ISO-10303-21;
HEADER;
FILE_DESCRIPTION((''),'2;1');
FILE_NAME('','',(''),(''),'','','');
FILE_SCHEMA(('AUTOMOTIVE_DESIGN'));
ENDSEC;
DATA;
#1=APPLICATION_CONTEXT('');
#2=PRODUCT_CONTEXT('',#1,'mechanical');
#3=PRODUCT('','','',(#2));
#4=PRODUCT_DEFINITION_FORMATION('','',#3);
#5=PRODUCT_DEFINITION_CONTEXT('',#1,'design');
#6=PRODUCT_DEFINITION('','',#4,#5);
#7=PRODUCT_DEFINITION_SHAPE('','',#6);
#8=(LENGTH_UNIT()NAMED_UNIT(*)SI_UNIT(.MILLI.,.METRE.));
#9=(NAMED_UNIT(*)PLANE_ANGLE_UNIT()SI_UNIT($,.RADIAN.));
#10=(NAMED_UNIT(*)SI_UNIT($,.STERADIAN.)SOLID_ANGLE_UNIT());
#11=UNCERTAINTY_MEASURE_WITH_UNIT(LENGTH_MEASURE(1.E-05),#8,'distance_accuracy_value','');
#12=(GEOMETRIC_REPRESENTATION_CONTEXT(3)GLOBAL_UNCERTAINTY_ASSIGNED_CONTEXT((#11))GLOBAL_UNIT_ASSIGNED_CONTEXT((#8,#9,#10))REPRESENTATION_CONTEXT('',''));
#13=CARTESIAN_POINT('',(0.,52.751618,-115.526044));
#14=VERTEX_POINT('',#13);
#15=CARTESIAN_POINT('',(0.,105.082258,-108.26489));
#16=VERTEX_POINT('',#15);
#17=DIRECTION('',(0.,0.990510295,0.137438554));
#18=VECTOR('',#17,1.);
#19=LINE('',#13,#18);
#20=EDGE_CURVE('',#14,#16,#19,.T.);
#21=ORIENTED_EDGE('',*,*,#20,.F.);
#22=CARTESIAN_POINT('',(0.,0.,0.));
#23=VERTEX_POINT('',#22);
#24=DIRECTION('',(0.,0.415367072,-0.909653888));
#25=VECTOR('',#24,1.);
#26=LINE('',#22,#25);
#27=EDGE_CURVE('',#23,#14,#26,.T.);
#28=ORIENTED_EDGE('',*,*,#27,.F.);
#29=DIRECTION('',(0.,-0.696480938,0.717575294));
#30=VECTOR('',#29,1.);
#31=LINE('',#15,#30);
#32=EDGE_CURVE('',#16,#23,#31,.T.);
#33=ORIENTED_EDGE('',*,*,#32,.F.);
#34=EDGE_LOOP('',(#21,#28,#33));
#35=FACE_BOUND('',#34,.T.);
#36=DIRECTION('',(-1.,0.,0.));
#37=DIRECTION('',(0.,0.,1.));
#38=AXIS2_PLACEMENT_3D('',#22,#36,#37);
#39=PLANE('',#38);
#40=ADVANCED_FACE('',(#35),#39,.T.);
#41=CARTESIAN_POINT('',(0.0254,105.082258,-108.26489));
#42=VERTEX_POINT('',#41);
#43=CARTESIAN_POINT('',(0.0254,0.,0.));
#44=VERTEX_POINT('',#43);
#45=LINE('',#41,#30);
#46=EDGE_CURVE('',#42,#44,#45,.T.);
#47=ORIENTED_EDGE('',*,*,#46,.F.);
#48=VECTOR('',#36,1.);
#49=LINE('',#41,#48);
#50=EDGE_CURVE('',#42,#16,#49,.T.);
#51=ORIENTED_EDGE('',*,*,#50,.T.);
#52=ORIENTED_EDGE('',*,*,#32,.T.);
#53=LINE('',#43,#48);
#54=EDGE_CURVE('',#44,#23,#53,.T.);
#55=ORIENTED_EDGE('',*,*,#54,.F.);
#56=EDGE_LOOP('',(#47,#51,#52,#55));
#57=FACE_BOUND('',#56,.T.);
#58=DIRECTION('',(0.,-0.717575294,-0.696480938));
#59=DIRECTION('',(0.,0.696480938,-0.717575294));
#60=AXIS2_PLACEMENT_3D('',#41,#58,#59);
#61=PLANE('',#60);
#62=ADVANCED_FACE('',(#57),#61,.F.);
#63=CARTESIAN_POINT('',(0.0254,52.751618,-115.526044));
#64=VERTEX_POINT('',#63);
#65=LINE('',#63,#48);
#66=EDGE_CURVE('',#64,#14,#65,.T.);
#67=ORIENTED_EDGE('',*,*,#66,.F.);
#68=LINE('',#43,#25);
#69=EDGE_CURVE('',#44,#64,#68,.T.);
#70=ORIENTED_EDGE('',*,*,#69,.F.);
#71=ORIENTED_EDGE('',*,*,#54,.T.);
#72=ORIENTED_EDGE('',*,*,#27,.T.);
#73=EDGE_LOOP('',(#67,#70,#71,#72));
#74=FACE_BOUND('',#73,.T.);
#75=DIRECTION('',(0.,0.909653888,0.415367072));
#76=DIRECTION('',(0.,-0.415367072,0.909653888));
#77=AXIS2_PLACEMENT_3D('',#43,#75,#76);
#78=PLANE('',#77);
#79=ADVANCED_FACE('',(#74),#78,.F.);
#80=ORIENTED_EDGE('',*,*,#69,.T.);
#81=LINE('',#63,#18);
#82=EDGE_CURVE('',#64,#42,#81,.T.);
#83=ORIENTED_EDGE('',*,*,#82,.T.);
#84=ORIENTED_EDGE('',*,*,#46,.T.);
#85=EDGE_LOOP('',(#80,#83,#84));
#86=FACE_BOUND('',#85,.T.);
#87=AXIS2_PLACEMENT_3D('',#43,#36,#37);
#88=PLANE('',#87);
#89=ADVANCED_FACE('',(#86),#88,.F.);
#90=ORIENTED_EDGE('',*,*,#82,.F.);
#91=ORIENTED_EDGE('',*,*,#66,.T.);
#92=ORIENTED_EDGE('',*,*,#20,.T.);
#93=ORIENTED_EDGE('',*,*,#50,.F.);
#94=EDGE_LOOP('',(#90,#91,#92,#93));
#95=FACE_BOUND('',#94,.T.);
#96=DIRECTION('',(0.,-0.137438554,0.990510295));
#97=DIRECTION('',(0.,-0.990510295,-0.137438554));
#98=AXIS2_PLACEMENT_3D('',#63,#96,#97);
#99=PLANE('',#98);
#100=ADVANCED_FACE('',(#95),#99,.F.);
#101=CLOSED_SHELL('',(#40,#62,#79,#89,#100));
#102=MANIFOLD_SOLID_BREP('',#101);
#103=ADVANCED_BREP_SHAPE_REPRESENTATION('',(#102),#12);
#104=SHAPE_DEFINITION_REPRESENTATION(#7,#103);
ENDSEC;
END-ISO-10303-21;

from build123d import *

# Parameters (mm, degrees)
BOSS_EXTRUDE1_DEPTH = 0.0254


with BuildPart() as part:
    # Sketch1 → Boss-Extrude1 (new body)
    with BuildSketch(Plane(origin=(0, 0, 0), x_dir=(0, 0, -1), z_dir=(1, 0, 0))):
        Polygon((0, 0), (115.526043743, 52.751618147), (108.264890069, 105.082258038), align=None)
    extrude(amount=BOSS_EXTRUDE1_DEPTH)


solid = part.part
